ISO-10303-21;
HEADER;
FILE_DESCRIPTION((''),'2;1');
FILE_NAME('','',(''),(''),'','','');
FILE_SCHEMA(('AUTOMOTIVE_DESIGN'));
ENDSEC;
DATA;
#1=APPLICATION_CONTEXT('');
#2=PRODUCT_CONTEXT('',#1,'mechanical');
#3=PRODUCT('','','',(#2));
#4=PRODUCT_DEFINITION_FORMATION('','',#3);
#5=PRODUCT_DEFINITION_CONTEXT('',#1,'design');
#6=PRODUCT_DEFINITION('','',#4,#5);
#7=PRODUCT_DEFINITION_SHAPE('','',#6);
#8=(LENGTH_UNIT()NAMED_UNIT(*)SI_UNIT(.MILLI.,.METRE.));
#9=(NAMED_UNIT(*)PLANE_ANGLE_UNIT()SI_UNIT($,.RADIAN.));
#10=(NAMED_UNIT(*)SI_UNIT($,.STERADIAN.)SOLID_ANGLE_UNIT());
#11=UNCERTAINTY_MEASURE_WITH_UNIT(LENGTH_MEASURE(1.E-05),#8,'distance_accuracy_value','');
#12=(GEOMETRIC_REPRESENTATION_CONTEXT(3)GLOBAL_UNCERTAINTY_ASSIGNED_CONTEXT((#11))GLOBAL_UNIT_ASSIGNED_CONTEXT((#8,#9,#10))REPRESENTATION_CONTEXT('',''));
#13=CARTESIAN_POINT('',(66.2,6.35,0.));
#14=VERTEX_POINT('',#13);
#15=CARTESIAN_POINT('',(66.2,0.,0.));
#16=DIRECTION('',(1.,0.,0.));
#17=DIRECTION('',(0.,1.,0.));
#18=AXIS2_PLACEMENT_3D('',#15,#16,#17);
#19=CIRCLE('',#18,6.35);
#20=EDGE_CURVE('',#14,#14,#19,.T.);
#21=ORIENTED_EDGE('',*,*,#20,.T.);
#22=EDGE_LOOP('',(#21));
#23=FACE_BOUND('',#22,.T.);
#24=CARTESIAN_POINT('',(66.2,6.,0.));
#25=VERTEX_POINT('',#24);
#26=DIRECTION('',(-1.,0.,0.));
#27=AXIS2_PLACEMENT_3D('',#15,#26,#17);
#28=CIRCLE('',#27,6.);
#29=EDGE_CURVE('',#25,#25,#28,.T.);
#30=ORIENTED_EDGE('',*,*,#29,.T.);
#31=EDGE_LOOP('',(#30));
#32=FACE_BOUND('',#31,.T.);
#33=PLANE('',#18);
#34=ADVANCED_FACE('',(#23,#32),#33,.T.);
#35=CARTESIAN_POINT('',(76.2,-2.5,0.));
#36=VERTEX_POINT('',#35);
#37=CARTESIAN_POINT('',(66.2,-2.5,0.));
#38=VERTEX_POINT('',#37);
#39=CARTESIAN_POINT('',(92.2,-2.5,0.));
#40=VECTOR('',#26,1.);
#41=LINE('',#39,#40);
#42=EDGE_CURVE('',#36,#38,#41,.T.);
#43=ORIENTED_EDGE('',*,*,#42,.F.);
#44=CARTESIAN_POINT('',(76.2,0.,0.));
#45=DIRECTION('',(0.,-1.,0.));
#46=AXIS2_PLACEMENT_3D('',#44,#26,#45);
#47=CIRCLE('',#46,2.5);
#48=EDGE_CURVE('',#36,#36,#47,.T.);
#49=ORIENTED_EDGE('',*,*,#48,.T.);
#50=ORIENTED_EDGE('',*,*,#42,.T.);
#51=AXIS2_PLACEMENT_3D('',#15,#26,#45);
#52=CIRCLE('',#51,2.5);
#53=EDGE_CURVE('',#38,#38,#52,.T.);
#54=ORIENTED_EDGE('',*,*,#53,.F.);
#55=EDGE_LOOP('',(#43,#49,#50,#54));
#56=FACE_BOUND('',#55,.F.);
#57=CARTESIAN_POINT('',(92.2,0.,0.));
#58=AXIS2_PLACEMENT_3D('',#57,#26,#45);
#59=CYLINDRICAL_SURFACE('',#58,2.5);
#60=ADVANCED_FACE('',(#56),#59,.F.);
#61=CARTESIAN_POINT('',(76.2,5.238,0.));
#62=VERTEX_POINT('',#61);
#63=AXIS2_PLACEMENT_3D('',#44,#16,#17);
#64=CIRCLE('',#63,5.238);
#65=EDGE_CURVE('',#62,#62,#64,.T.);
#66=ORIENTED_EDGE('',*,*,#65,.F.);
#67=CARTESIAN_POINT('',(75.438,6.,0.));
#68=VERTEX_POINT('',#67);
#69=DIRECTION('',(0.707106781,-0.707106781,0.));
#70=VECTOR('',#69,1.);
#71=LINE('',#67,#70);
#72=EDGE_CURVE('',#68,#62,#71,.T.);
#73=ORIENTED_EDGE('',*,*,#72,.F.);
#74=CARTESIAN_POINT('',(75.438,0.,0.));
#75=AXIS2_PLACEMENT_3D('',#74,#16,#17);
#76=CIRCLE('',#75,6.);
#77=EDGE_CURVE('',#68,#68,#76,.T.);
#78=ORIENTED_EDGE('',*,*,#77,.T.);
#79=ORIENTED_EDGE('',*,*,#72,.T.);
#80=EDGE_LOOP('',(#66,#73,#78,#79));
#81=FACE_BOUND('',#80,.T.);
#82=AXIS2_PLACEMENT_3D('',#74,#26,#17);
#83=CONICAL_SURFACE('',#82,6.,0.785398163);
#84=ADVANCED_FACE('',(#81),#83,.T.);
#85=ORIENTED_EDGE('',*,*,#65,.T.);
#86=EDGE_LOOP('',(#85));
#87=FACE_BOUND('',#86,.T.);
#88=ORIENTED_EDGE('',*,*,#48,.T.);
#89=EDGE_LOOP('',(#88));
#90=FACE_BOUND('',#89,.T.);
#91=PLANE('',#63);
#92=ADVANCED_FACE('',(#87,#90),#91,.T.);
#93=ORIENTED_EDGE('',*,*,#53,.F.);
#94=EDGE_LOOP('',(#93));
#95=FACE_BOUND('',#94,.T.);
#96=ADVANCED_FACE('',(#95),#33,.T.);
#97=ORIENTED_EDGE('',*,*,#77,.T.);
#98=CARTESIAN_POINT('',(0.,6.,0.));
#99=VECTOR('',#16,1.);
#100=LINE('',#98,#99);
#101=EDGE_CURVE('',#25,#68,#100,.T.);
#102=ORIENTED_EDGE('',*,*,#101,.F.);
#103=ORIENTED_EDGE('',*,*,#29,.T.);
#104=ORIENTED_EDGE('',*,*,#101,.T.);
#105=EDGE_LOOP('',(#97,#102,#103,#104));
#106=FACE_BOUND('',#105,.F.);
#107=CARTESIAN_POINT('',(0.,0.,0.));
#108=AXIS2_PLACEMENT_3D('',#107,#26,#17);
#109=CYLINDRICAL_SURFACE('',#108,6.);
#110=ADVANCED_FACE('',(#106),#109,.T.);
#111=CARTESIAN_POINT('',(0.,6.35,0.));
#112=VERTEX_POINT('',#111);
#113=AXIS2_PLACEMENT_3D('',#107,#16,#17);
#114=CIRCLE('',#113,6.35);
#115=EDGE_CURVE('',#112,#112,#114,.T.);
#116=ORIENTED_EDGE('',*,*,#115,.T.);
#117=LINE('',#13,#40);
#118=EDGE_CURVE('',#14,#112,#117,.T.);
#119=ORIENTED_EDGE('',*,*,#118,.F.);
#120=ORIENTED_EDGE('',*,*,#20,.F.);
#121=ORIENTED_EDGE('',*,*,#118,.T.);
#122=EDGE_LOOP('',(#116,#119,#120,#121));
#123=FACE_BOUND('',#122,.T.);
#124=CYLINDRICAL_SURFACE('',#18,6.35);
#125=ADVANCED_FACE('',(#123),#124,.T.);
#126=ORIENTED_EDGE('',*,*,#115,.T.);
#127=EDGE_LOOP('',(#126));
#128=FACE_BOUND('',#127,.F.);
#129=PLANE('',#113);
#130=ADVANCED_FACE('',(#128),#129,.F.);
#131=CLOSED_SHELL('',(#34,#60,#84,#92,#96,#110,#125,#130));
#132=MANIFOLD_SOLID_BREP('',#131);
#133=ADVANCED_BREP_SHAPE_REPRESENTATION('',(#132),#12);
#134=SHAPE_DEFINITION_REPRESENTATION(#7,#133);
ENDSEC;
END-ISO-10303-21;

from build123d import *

# Parameters (mm, degrees)
F0_R     = 6
F1_DEPTH = 76.2
F2_SIZE  = 0.762
F4_D     = 5
F4_DEPTH = 16
F4_TIP   = 1.5021515476
F6_R     = 6.35
F7_DEPTH = 66.2


with BuildPart() as f1:
    # F0 (on Right) → F1 (new body)
    with BuildSketch(Plane.YZ):
        Circle(F0_R)
    extrude(amount=F1_DEPTH)

    # F2
    f2_edges = [f1.edges().sort_by_distance(p)[0] for p in [
        (76.2, -6, 0),
    ]]
    chamfer(f2_edges, length=F2_SIZE)

    # F4
    with Locations(Plane.YZ.offset(76.2)):
        with Locations((0, 0)):
            Hole(F4_D / 2, depth=F4_DEPTH)
            with Locations((0, 0, -(F4_DEPTH + F4_TIP / 2))):  # 118° drill point
                Cone(0, F4_D / 2, F4_TIP, mode=Mode.SUBTRACT)

    # F6 (on offset) → F7 (join, through all)
    with BuildSketch(Plane.YZ.offset(66.2)):
        Circle(F6_R)
    extrude(amount=-F7_DEPTH)


solid = f1.part
